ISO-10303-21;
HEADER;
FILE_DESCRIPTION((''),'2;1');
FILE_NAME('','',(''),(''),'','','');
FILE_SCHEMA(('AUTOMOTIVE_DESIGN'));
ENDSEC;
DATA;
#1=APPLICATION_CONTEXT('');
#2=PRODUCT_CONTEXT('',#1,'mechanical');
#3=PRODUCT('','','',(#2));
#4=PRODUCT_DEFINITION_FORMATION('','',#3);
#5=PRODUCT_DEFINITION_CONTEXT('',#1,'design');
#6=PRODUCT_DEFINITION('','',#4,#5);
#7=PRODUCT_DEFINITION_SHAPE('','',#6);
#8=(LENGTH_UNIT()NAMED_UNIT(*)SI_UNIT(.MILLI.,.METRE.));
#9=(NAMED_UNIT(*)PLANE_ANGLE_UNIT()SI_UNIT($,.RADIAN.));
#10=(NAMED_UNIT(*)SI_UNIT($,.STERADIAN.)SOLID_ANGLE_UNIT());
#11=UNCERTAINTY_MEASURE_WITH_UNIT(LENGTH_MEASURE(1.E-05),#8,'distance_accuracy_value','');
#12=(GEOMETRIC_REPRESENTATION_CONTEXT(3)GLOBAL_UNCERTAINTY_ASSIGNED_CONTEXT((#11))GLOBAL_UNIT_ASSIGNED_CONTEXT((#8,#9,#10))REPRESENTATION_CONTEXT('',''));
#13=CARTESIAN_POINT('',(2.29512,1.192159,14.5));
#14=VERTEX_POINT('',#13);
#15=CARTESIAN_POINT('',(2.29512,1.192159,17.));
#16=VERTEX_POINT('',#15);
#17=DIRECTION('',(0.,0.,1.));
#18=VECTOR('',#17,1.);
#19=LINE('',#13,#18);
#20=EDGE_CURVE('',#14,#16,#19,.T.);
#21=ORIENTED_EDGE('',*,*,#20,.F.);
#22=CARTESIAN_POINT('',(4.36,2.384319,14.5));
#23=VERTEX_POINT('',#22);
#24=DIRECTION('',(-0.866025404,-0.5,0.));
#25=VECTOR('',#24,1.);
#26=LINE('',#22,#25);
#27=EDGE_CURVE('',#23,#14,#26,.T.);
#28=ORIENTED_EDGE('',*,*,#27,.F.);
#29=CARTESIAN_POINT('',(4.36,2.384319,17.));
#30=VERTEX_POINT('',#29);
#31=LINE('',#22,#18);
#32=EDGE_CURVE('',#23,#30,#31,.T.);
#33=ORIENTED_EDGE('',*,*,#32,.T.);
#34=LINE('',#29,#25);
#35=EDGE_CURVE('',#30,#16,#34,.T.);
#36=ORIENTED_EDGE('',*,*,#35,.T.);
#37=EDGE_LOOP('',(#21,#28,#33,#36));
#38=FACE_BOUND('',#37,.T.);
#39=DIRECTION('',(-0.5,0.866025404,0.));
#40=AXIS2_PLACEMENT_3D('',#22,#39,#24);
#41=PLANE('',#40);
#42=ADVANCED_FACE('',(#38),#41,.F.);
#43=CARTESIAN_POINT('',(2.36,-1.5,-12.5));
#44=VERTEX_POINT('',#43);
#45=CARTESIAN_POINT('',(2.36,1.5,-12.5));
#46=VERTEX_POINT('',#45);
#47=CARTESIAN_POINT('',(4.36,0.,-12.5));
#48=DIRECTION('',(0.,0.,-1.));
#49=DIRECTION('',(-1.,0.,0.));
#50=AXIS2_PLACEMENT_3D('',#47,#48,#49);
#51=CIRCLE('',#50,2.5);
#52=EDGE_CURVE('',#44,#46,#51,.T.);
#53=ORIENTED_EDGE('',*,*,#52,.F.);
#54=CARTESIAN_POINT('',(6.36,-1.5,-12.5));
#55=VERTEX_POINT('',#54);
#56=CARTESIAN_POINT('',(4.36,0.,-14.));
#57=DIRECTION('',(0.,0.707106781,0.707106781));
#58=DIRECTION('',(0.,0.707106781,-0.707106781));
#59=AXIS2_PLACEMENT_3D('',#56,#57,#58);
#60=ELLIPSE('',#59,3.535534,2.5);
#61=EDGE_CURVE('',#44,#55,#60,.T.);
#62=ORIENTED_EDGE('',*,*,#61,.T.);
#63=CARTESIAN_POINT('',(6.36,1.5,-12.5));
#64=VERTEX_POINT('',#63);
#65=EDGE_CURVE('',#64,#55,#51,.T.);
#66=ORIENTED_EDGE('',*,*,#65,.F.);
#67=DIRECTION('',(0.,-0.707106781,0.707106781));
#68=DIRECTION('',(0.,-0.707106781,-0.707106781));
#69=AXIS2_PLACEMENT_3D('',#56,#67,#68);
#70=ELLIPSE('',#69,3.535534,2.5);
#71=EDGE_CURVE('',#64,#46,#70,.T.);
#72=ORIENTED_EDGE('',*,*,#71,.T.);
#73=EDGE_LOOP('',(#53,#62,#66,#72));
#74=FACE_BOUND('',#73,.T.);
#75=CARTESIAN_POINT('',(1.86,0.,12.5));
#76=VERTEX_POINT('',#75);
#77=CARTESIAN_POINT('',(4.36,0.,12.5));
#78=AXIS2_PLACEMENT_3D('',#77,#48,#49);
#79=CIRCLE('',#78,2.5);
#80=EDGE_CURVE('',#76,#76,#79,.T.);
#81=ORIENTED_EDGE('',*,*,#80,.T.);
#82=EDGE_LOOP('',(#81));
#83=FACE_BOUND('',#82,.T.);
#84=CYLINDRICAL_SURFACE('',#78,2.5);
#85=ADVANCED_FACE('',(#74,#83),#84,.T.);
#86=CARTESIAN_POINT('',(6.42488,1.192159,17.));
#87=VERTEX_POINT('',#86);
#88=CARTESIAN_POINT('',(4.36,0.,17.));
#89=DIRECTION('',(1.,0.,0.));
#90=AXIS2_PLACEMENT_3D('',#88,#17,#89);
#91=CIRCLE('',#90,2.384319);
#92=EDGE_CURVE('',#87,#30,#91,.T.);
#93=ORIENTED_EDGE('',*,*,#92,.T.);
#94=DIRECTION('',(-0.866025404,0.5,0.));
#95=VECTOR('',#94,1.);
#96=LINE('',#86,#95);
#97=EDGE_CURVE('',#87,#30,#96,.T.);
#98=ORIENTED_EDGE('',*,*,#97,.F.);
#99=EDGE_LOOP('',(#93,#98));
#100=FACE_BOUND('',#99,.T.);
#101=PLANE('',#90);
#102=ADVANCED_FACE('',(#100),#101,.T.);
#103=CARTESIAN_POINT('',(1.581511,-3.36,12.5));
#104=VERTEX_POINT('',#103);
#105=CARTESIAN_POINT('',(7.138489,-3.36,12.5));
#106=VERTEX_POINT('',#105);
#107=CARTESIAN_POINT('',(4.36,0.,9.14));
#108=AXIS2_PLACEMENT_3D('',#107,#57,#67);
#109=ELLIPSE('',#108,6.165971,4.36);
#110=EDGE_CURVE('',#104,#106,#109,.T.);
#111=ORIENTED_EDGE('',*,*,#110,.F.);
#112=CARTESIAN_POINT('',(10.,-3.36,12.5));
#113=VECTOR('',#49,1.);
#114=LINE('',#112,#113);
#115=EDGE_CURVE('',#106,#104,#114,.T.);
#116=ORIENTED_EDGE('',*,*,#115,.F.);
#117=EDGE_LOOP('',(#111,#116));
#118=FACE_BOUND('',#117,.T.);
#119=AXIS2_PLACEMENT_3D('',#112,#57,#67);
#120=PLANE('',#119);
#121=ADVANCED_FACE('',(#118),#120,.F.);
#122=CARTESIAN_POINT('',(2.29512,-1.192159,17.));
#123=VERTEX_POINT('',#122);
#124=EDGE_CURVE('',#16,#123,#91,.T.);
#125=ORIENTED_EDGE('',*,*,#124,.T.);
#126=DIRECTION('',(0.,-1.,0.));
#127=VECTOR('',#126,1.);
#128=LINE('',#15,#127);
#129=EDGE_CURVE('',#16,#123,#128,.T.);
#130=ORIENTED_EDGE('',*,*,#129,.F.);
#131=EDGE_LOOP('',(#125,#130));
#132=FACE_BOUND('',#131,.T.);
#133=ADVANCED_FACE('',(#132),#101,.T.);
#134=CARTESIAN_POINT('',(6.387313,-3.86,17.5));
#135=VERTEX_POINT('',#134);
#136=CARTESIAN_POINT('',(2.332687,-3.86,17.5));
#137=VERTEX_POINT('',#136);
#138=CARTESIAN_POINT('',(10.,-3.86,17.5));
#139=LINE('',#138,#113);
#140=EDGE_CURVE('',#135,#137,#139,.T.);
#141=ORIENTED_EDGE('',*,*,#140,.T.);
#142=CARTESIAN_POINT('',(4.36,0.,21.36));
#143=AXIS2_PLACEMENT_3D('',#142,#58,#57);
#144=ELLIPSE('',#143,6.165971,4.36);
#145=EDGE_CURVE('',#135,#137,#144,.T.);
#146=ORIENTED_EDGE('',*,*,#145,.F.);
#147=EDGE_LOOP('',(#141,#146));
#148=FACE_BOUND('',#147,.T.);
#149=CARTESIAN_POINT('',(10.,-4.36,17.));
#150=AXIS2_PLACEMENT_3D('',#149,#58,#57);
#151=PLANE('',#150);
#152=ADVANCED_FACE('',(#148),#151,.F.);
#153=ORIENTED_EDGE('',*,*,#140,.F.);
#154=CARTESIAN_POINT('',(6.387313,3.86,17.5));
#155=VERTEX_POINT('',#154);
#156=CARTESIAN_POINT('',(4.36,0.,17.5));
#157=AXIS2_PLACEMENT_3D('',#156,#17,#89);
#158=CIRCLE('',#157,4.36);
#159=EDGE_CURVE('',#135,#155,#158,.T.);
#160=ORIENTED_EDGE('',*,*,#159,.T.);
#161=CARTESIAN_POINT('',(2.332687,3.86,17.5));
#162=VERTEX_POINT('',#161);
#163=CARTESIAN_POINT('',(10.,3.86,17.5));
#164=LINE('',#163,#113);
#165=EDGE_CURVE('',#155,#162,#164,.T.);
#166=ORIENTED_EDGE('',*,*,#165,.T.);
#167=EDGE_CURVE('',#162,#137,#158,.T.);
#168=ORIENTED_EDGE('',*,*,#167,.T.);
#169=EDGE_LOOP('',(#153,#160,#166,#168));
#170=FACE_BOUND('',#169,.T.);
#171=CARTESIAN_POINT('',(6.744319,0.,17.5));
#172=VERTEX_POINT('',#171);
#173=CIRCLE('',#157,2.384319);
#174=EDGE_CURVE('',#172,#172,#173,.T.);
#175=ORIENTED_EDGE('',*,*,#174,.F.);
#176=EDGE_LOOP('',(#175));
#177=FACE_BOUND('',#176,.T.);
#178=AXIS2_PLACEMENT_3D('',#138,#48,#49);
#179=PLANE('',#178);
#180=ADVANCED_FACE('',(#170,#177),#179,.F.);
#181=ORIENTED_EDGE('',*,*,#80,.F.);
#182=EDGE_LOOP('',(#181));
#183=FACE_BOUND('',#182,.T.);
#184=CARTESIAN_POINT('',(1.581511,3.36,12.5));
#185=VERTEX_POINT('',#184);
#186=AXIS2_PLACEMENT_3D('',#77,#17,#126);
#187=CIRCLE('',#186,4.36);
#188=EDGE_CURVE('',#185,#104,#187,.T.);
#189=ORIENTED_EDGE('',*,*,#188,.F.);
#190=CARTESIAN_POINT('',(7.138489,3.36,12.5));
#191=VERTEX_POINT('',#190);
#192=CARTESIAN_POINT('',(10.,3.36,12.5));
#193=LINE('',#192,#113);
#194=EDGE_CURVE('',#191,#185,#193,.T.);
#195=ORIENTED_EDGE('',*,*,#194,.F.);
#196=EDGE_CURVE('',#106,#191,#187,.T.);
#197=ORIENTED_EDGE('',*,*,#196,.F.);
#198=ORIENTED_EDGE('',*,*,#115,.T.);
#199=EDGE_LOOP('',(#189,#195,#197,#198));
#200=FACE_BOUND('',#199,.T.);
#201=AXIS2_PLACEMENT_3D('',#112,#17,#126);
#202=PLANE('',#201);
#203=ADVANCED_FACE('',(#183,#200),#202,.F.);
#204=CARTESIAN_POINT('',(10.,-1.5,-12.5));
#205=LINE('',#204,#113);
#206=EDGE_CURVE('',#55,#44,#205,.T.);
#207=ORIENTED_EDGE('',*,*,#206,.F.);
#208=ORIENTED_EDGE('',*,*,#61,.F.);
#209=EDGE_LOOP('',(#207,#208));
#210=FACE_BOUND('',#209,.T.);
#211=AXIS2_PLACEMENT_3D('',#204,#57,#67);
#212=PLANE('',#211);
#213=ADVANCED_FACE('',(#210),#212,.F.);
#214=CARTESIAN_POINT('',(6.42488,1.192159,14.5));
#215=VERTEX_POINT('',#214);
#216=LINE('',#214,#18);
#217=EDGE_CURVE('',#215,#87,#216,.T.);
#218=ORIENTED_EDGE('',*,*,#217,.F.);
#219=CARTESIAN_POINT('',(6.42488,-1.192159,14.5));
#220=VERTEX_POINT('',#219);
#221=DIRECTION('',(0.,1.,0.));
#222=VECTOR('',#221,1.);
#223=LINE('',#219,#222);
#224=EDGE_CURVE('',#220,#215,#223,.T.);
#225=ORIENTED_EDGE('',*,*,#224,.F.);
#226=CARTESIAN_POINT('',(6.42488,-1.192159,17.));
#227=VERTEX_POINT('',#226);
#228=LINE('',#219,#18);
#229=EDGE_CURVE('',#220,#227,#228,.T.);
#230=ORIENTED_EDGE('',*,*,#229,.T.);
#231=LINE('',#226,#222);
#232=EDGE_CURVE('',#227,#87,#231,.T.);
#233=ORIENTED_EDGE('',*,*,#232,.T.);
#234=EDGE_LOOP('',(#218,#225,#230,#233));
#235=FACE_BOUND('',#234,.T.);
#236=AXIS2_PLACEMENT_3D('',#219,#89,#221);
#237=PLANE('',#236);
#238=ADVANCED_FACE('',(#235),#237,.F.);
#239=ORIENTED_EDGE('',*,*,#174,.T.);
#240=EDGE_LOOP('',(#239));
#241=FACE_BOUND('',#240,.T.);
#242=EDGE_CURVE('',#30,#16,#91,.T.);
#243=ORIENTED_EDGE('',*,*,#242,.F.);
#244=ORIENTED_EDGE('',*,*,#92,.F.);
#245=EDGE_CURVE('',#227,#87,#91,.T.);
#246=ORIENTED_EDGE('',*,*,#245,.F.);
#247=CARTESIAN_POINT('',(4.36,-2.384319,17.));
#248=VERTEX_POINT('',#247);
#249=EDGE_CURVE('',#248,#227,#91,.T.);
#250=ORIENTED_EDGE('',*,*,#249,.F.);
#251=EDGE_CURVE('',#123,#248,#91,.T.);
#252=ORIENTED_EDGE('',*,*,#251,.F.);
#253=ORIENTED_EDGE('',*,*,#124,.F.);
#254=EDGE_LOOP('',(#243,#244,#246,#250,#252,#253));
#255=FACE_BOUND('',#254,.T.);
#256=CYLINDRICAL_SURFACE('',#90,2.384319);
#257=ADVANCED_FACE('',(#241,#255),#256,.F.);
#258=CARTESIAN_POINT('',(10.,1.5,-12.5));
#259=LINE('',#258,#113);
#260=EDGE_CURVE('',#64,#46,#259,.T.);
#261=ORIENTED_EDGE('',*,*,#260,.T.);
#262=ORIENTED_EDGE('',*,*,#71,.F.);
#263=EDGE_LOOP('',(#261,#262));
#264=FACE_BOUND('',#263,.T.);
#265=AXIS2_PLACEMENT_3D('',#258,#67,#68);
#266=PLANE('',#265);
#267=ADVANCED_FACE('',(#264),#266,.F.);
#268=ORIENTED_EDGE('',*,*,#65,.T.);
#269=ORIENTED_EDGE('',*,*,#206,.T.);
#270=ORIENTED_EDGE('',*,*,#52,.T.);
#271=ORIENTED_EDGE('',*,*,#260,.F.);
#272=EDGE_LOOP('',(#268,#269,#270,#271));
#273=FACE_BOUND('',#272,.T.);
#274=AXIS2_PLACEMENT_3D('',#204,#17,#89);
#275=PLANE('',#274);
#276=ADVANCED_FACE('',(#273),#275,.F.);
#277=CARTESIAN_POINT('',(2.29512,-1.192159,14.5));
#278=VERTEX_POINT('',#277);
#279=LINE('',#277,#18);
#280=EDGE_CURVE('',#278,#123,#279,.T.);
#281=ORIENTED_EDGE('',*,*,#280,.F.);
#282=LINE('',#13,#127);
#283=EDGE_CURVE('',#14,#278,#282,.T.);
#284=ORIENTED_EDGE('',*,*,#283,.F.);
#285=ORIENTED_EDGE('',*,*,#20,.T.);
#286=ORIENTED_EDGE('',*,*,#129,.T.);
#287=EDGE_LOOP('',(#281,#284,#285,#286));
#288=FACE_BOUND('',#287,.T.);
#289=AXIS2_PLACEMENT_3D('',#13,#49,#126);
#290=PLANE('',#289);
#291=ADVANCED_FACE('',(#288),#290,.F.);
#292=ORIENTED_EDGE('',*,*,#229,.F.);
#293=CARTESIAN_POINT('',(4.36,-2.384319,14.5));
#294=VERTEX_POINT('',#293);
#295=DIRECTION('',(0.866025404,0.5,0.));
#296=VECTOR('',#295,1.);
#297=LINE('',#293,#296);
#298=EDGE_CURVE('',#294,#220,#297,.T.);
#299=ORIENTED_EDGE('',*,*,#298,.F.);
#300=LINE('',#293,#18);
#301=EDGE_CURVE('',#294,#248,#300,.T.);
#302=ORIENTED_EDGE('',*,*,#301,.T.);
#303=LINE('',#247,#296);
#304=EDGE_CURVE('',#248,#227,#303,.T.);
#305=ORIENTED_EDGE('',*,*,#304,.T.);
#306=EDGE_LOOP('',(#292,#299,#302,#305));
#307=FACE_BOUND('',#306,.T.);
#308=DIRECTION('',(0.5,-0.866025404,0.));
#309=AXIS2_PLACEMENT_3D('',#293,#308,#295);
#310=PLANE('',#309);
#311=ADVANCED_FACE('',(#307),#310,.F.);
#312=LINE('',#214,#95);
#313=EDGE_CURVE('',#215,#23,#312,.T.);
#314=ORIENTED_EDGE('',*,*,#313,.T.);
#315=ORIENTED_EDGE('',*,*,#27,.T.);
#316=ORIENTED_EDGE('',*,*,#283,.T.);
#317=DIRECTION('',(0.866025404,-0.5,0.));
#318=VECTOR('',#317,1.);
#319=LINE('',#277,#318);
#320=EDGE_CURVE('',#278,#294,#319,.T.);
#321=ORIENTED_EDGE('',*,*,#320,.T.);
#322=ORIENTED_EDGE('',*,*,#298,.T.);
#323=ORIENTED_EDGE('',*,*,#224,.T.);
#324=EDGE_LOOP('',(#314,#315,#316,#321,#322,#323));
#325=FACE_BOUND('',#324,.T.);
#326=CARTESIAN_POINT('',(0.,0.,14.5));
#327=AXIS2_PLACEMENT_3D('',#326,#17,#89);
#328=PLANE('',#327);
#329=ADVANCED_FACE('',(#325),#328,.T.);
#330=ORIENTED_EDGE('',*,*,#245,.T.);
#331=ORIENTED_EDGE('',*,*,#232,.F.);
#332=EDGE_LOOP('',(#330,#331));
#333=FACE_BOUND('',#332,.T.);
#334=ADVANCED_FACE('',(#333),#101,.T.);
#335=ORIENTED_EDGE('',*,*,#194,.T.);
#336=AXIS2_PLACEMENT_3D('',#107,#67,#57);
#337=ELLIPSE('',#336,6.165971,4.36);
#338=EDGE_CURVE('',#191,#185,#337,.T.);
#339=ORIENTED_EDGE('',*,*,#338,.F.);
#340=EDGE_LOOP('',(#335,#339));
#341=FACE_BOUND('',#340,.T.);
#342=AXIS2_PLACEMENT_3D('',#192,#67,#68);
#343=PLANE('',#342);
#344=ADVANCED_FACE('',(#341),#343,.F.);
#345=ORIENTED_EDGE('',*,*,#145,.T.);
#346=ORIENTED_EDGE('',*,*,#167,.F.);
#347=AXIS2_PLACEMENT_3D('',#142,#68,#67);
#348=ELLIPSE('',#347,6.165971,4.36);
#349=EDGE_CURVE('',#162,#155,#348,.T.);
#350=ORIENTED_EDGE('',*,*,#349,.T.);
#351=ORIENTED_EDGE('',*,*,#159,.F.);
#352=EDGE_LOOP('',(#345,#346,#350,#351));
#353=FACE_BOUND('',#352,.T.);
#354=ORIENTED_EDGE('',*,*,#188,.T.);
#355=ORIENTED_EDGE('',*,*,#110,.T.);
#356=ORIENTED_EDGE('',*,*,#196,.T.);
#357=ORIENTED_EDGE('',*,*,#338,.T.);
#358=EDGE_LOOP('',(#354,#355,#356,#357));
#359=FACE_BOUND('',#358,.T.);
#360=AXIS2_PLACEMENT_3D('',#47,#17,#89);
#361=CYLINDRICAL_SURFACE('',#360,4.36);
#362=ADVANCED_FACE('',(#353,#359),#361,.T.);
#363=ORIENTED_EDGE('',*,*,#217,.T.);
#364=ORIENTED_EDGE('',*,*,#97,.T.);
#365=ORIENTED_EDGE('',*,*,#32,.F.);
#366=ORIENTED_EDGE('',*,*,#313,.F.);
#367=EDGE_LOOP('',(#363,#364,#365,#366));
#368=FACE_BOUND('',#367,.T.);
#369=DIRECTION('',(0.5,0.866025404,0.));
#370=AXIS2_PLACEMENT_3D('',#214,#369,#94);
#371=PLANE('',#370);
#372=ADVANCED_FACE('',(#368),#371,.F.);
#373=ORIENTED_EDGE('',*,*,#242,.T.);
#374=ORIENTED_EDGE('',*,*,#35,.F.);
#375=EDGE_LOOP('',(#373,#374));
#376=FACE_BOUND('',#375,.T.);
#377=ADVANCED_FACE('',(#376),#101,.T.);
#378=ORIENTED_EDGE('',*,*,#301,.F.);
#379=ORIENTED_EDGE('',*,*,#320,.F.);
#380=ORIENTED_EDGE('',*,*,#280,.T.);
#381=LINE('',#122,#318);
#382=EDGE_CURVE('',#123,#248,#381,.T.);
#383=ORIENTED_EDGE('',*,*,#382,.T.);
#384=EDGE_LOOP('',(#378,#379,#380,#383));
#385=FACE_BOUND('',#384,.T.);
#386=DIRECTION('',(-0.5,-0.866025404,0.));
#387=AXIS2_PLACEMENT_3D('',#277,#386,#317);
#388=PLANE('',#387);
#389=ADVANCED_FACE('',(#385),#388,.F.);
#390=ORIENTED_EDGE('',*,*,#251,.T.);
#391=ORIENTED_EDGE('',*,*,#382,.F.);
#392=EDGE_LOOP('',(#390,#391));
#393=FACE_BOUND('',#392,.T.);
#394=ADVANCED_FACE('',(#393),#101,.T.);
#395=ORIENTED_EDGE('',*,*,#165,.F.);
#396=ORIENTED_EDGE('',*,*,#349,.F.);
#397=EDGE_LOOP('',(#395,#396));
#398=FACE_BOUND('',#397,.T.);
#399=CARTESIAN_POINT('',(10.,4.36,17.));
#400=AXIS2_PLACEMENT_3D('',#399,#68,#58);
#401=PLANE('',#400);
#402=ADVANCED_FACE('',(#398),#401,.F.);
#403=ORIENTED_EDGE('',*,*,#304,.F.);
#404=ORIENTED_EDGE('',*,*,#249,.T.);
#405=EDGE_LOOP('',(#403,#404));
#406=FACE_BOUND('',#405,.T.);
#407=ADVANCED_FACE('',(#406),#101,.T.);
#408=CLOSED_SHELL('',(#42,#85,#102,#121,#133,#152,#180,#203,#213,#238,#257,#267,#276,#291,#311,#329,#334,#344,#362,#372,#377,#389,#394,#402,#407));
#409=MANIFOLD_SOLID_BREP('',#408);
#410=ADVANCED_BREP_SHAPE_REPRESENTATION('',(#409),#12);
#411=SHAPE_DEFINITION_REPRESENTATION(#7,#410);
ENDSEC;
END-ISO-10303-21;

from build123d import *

# Parameters (mm, degrees)
BOSS_EXTRUDE1_DEPTH = 10
SKETCH2_OUTSIDE_W   = 18.56
SKETCH2_OUTSIDE_H   = 17.28
SKETCH2_OUTSIDE_R   = 4.36
CUT_EXTRUDE4_DEPTH  = 32.921929766
SKETCH3_R           = 2.384318612
CUT_EXTRUDE7_DEPTH  = 0.5
CUT_EXTRUDE8_DEPTH  = 2.5
SKETCH5_OUTSIDE_W   = 17.208
SKETCH5_OUTSIDE_H   = 17.208
SKETCH5_OUTSIDE_R   = 2.5
CUT_EXTRUDE9_DEPTH  = 25


with BuildPart() as part:
    # Sketch1 → Boss-Extrude1 (new body)
    with BuildSketch(Plane(origin=(0, 0, 0), x_dir=(0, 0, -1), z_dir=(1, 0, 0))):
        Polygon((11.5, -2.5), (-12.5, -2.5), (-12.5, -3.36), (-13.5, -4.36), (-17, -4.36), (-17.5, -3.86), (-17.5, 3.86), (-17, 4.36), (-13.5, 4.36), (-12.5, 3.36), (-12.5, 2.5), (11.5, 2.5), (12.5, 1.5), (12.5, -1.5), align=None)
    extrude(amount=BOSS_EXTRUDE1_DEPTH)

    # Sketch2 outside → Cut-Extrude4 (cut, through all)
    with BuildSketch(Plane.XY.offset(17.5)):
        with Locations((5, 0)):
            Rectangle(SKETCH2_OUTSIDE_W, SKETCH2_OUTSIDE_H)
        with Locations(Location((4.36, 0, 0), (0, 0, 339.876996719))):
            Circle(SKETCH2_OUTSIDE_R, mode=Mode.SUBTRACT)
    extrude(amount=-CUT_EXTRUDE4_DEPTH, mode=Mode.SUBTRACT)

    # Sketch3 → Cut-Extrude7 (cut)
    with BuildSketch(Plane.XY.offset(17.5)):
        with Locations((4.36, 0)):
            Circle(SKETCH3_R)
    extrude(amount=-CUT_EXTRUDE7_DEPTH, mode=Mode.SUBTRACT)

    # Sketch4 → Cut-Extrude8 (cut)
    with BuildSketch(Plane.XY.offset(17)):
        Polygon((4.36, 2.384318612), (2.295119511, 1.192159306), (2.295119511, -1.192159306), (4.36, -2.384318612), (6.424880489, -1.192159306), (6.424880489, 1.192159306), align=None)
    extrude(amount=-CUT_EXTRUDE8_DEPTH, mode=Mode.SUBTRACT)

    # Sketch5 outside → Cut-Extrude9 (cut)
    with BuildSketch(Plane(origin=(0, 0, -12.5), x_dir=(-1, 0, 0), z_dir=(0, 0, -1))):
        with Locations((-4.36, 0)):
            Rectangle(SKETCH5_OUTSIDE_W, SKETCH5_OUTSIDE_H)
        with Locations((-4.36, 0)):
            Circle(SKETCH5_OUTSIDE_R, mode=Mode.SUBTRACT)
    extrude(amount=-CUT_EXTRUDE9_DEPTH, mode=Mode.SUBTRACT)


solid = part.part
